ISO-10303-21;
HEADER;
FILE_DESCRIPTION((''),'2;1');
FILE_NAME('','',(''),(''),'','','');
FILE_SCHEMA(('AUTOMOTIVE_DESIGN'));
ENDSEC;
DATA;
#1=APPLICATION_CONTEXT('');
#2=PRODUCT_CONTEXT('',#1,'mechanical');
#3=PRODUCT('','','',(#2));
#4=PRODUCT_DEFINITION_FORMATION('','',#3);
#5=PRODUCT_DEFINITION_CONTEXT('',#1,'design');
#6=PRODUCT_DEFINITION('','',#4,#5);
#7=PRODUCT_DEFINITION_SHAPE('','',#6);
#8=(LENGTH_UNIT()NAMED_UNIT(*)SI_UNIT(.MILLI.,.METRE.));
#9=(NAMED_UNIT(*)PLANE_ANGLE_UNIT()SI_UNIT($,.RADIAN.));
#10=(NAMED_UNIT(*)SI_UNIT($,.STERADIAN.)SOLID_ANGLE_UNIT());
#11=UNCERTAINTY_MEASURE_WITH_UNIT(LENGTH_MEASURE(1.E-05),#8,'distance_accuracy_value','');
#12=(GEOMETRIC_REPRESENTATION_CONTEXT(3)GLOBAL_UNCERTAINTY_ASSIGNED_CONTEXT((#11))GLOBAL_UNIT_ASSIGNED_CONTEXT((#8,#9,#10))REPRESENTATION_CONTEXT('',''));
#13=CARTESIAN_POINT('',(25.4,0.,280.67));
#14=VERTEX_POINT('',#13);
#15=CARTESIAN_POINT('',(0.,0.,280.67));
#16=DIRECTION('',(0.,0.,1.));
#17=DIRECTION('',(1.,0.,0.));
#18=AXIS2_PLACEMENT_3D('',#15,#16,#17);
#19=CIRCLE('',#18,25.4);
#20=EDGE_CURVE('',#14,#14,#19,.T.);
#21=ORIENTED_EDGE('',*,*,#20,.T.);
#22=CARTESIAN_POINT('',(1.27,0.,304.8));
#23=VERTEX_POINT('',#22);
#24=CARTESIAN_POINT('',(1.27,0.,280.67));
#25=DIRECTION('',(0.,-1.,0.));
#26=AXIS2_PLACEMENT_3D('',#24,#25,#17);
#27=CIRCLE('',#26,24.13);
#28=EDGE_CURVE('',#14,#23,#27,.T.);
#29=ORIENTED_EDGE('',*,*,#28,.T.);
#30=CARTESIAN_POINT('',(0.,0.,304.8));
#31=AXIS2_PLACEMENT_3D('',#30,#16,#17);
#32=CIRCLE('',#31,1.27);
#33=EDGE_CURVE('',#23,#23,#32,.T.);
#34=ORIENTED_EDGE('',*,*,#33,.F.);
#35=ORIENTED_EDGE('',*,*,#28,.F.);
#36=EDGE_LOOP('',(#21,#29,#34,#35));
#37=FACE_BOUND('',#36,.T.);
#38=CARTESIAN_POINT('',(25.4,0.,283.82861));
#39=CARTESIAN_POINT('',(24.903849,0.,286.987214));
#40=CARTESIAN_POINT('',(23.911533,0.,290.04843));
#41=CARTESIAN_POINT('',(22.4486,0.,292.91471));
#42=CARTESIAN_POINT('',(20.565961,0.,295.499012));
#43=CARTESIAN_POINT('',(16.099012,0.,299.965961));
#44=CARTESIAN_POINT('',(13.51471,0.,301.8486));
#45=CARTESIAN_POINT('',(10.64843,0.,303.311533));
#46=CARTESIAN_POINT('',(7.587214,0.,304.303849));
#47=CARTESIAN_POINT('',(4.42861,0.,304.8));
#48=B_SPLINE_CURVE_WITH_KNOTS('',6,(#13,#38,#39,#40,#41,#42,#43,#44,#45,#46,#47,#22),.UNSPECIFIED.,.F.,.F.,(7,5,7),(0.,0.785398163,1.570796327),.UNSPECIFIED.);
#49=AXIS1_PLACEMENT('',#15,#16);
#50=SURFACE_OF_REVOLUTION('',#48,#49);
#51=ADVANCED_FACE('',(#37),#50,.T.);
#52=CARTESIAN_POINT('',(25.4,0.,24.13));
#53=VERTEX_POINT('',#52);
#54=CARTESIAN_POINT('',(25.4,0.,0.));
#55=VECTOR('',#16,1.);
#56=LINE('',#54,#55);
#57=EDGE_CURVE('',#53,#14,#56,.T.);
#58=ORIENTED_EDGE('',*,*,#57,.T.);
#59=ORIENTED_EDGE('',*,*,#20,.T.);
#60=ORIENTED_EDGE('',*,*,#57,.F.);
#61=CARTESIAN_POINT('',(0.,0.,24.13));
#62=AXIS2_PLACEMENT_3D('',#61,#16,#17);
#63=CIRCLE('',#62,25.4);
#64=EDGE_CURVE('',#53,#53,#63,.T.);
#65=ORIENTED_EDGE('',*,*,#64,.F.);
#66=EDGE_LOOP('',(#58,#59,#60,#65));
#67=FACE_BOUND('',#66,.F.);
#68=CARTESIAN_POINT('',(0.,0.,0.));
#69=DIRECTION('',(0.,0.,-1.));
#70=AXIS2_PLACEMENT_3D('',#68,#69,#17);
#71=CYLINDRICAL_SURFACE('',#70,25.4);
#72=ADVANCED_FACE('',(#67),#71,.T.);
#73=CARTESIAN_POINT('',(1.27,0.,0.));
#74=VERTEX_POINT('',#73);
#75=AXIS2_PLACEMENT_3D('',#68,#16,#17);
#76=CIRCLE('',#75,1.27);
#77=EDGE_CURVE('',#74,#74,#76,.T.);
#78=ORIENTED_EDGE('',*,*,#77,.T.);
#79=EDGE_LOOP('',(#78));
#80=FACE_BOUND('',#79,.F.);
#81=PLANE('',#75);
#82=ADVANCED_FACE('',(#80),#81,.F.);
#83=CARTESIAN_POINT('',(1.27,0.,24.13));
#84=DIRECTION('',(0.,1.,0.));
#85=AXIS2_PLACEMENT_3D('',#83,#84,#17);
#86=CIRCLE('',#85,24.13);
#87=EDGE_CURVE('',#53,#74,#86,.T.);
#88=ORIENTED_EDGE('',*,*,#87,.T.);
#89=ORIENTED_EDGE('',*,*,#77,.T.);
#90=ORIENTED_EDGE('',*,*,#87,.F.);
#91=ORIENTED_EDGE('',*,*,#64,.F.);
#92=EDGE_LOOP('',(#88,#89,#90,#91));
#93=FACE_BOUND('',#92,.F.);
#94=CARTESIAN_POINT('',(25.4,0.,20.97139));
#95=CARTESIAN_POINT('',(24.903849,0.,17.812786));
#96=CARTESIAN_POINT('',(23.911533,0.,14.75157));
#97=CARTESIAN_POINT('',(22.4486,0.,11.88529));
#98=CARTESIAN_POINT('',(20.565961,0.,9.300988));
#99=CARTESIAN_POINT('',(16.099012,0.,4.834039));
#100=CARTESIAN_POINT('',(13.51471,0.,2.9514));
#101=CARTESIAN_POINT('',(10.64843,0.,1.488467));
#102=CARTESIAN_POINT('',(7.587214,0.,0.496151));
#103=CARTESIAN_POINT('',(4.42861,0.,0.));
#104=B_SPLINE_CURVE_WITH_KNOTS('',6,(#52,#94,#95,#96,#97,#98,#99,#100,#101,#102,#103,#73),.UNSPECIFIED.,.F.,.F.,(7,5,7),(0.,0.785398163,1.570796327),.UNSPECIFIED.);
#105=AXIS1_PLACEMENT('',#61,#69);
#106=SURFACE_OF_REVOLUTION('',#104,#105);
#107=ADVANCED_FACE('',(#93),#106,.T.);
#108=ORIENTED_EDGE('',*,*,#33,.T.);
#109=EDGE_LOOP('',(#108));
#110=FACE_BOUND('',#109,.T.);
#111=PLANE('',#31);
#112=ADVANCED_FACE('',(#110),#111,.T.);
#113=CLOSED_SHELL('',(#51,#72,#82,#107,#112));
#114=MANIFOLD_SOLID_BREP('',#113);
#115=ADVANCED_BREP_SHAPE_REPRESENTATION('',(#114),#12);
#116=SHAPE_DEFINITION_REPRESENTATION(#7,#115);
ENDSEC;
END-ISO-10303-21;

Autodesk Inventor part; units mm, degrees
ref_plane "YZ Plane" through (0, 0, 0) normal (1, 0, 0) x (0, 1, 0)
ref_plane "XZ Plane" through (0, 0, 0) normal (0, 1, 0) x (-1, 0, 0)
ref_plane "XY Plane" through (0, 0, 0) normal (0, 0, 1) x (1, 0, 0)
sketch "Sketch1" plane through (0, 0, 0) normal (0, 0, 1) x (1, 0, 0)
  circle A0 centre (0, 0) radius 25.4
  dimension "d0" = 50.8
extrude "Extrusion1" add sketch "Sketch1" along normal blind 304.8
fillet "Fillet1" radius 24.13 1 edges at (-25.4, 0, 304.8)
fillet "Fillet2" radius 24.13 1 edges at (-25.4, 0, 0)
properties part number "Air Tank"
